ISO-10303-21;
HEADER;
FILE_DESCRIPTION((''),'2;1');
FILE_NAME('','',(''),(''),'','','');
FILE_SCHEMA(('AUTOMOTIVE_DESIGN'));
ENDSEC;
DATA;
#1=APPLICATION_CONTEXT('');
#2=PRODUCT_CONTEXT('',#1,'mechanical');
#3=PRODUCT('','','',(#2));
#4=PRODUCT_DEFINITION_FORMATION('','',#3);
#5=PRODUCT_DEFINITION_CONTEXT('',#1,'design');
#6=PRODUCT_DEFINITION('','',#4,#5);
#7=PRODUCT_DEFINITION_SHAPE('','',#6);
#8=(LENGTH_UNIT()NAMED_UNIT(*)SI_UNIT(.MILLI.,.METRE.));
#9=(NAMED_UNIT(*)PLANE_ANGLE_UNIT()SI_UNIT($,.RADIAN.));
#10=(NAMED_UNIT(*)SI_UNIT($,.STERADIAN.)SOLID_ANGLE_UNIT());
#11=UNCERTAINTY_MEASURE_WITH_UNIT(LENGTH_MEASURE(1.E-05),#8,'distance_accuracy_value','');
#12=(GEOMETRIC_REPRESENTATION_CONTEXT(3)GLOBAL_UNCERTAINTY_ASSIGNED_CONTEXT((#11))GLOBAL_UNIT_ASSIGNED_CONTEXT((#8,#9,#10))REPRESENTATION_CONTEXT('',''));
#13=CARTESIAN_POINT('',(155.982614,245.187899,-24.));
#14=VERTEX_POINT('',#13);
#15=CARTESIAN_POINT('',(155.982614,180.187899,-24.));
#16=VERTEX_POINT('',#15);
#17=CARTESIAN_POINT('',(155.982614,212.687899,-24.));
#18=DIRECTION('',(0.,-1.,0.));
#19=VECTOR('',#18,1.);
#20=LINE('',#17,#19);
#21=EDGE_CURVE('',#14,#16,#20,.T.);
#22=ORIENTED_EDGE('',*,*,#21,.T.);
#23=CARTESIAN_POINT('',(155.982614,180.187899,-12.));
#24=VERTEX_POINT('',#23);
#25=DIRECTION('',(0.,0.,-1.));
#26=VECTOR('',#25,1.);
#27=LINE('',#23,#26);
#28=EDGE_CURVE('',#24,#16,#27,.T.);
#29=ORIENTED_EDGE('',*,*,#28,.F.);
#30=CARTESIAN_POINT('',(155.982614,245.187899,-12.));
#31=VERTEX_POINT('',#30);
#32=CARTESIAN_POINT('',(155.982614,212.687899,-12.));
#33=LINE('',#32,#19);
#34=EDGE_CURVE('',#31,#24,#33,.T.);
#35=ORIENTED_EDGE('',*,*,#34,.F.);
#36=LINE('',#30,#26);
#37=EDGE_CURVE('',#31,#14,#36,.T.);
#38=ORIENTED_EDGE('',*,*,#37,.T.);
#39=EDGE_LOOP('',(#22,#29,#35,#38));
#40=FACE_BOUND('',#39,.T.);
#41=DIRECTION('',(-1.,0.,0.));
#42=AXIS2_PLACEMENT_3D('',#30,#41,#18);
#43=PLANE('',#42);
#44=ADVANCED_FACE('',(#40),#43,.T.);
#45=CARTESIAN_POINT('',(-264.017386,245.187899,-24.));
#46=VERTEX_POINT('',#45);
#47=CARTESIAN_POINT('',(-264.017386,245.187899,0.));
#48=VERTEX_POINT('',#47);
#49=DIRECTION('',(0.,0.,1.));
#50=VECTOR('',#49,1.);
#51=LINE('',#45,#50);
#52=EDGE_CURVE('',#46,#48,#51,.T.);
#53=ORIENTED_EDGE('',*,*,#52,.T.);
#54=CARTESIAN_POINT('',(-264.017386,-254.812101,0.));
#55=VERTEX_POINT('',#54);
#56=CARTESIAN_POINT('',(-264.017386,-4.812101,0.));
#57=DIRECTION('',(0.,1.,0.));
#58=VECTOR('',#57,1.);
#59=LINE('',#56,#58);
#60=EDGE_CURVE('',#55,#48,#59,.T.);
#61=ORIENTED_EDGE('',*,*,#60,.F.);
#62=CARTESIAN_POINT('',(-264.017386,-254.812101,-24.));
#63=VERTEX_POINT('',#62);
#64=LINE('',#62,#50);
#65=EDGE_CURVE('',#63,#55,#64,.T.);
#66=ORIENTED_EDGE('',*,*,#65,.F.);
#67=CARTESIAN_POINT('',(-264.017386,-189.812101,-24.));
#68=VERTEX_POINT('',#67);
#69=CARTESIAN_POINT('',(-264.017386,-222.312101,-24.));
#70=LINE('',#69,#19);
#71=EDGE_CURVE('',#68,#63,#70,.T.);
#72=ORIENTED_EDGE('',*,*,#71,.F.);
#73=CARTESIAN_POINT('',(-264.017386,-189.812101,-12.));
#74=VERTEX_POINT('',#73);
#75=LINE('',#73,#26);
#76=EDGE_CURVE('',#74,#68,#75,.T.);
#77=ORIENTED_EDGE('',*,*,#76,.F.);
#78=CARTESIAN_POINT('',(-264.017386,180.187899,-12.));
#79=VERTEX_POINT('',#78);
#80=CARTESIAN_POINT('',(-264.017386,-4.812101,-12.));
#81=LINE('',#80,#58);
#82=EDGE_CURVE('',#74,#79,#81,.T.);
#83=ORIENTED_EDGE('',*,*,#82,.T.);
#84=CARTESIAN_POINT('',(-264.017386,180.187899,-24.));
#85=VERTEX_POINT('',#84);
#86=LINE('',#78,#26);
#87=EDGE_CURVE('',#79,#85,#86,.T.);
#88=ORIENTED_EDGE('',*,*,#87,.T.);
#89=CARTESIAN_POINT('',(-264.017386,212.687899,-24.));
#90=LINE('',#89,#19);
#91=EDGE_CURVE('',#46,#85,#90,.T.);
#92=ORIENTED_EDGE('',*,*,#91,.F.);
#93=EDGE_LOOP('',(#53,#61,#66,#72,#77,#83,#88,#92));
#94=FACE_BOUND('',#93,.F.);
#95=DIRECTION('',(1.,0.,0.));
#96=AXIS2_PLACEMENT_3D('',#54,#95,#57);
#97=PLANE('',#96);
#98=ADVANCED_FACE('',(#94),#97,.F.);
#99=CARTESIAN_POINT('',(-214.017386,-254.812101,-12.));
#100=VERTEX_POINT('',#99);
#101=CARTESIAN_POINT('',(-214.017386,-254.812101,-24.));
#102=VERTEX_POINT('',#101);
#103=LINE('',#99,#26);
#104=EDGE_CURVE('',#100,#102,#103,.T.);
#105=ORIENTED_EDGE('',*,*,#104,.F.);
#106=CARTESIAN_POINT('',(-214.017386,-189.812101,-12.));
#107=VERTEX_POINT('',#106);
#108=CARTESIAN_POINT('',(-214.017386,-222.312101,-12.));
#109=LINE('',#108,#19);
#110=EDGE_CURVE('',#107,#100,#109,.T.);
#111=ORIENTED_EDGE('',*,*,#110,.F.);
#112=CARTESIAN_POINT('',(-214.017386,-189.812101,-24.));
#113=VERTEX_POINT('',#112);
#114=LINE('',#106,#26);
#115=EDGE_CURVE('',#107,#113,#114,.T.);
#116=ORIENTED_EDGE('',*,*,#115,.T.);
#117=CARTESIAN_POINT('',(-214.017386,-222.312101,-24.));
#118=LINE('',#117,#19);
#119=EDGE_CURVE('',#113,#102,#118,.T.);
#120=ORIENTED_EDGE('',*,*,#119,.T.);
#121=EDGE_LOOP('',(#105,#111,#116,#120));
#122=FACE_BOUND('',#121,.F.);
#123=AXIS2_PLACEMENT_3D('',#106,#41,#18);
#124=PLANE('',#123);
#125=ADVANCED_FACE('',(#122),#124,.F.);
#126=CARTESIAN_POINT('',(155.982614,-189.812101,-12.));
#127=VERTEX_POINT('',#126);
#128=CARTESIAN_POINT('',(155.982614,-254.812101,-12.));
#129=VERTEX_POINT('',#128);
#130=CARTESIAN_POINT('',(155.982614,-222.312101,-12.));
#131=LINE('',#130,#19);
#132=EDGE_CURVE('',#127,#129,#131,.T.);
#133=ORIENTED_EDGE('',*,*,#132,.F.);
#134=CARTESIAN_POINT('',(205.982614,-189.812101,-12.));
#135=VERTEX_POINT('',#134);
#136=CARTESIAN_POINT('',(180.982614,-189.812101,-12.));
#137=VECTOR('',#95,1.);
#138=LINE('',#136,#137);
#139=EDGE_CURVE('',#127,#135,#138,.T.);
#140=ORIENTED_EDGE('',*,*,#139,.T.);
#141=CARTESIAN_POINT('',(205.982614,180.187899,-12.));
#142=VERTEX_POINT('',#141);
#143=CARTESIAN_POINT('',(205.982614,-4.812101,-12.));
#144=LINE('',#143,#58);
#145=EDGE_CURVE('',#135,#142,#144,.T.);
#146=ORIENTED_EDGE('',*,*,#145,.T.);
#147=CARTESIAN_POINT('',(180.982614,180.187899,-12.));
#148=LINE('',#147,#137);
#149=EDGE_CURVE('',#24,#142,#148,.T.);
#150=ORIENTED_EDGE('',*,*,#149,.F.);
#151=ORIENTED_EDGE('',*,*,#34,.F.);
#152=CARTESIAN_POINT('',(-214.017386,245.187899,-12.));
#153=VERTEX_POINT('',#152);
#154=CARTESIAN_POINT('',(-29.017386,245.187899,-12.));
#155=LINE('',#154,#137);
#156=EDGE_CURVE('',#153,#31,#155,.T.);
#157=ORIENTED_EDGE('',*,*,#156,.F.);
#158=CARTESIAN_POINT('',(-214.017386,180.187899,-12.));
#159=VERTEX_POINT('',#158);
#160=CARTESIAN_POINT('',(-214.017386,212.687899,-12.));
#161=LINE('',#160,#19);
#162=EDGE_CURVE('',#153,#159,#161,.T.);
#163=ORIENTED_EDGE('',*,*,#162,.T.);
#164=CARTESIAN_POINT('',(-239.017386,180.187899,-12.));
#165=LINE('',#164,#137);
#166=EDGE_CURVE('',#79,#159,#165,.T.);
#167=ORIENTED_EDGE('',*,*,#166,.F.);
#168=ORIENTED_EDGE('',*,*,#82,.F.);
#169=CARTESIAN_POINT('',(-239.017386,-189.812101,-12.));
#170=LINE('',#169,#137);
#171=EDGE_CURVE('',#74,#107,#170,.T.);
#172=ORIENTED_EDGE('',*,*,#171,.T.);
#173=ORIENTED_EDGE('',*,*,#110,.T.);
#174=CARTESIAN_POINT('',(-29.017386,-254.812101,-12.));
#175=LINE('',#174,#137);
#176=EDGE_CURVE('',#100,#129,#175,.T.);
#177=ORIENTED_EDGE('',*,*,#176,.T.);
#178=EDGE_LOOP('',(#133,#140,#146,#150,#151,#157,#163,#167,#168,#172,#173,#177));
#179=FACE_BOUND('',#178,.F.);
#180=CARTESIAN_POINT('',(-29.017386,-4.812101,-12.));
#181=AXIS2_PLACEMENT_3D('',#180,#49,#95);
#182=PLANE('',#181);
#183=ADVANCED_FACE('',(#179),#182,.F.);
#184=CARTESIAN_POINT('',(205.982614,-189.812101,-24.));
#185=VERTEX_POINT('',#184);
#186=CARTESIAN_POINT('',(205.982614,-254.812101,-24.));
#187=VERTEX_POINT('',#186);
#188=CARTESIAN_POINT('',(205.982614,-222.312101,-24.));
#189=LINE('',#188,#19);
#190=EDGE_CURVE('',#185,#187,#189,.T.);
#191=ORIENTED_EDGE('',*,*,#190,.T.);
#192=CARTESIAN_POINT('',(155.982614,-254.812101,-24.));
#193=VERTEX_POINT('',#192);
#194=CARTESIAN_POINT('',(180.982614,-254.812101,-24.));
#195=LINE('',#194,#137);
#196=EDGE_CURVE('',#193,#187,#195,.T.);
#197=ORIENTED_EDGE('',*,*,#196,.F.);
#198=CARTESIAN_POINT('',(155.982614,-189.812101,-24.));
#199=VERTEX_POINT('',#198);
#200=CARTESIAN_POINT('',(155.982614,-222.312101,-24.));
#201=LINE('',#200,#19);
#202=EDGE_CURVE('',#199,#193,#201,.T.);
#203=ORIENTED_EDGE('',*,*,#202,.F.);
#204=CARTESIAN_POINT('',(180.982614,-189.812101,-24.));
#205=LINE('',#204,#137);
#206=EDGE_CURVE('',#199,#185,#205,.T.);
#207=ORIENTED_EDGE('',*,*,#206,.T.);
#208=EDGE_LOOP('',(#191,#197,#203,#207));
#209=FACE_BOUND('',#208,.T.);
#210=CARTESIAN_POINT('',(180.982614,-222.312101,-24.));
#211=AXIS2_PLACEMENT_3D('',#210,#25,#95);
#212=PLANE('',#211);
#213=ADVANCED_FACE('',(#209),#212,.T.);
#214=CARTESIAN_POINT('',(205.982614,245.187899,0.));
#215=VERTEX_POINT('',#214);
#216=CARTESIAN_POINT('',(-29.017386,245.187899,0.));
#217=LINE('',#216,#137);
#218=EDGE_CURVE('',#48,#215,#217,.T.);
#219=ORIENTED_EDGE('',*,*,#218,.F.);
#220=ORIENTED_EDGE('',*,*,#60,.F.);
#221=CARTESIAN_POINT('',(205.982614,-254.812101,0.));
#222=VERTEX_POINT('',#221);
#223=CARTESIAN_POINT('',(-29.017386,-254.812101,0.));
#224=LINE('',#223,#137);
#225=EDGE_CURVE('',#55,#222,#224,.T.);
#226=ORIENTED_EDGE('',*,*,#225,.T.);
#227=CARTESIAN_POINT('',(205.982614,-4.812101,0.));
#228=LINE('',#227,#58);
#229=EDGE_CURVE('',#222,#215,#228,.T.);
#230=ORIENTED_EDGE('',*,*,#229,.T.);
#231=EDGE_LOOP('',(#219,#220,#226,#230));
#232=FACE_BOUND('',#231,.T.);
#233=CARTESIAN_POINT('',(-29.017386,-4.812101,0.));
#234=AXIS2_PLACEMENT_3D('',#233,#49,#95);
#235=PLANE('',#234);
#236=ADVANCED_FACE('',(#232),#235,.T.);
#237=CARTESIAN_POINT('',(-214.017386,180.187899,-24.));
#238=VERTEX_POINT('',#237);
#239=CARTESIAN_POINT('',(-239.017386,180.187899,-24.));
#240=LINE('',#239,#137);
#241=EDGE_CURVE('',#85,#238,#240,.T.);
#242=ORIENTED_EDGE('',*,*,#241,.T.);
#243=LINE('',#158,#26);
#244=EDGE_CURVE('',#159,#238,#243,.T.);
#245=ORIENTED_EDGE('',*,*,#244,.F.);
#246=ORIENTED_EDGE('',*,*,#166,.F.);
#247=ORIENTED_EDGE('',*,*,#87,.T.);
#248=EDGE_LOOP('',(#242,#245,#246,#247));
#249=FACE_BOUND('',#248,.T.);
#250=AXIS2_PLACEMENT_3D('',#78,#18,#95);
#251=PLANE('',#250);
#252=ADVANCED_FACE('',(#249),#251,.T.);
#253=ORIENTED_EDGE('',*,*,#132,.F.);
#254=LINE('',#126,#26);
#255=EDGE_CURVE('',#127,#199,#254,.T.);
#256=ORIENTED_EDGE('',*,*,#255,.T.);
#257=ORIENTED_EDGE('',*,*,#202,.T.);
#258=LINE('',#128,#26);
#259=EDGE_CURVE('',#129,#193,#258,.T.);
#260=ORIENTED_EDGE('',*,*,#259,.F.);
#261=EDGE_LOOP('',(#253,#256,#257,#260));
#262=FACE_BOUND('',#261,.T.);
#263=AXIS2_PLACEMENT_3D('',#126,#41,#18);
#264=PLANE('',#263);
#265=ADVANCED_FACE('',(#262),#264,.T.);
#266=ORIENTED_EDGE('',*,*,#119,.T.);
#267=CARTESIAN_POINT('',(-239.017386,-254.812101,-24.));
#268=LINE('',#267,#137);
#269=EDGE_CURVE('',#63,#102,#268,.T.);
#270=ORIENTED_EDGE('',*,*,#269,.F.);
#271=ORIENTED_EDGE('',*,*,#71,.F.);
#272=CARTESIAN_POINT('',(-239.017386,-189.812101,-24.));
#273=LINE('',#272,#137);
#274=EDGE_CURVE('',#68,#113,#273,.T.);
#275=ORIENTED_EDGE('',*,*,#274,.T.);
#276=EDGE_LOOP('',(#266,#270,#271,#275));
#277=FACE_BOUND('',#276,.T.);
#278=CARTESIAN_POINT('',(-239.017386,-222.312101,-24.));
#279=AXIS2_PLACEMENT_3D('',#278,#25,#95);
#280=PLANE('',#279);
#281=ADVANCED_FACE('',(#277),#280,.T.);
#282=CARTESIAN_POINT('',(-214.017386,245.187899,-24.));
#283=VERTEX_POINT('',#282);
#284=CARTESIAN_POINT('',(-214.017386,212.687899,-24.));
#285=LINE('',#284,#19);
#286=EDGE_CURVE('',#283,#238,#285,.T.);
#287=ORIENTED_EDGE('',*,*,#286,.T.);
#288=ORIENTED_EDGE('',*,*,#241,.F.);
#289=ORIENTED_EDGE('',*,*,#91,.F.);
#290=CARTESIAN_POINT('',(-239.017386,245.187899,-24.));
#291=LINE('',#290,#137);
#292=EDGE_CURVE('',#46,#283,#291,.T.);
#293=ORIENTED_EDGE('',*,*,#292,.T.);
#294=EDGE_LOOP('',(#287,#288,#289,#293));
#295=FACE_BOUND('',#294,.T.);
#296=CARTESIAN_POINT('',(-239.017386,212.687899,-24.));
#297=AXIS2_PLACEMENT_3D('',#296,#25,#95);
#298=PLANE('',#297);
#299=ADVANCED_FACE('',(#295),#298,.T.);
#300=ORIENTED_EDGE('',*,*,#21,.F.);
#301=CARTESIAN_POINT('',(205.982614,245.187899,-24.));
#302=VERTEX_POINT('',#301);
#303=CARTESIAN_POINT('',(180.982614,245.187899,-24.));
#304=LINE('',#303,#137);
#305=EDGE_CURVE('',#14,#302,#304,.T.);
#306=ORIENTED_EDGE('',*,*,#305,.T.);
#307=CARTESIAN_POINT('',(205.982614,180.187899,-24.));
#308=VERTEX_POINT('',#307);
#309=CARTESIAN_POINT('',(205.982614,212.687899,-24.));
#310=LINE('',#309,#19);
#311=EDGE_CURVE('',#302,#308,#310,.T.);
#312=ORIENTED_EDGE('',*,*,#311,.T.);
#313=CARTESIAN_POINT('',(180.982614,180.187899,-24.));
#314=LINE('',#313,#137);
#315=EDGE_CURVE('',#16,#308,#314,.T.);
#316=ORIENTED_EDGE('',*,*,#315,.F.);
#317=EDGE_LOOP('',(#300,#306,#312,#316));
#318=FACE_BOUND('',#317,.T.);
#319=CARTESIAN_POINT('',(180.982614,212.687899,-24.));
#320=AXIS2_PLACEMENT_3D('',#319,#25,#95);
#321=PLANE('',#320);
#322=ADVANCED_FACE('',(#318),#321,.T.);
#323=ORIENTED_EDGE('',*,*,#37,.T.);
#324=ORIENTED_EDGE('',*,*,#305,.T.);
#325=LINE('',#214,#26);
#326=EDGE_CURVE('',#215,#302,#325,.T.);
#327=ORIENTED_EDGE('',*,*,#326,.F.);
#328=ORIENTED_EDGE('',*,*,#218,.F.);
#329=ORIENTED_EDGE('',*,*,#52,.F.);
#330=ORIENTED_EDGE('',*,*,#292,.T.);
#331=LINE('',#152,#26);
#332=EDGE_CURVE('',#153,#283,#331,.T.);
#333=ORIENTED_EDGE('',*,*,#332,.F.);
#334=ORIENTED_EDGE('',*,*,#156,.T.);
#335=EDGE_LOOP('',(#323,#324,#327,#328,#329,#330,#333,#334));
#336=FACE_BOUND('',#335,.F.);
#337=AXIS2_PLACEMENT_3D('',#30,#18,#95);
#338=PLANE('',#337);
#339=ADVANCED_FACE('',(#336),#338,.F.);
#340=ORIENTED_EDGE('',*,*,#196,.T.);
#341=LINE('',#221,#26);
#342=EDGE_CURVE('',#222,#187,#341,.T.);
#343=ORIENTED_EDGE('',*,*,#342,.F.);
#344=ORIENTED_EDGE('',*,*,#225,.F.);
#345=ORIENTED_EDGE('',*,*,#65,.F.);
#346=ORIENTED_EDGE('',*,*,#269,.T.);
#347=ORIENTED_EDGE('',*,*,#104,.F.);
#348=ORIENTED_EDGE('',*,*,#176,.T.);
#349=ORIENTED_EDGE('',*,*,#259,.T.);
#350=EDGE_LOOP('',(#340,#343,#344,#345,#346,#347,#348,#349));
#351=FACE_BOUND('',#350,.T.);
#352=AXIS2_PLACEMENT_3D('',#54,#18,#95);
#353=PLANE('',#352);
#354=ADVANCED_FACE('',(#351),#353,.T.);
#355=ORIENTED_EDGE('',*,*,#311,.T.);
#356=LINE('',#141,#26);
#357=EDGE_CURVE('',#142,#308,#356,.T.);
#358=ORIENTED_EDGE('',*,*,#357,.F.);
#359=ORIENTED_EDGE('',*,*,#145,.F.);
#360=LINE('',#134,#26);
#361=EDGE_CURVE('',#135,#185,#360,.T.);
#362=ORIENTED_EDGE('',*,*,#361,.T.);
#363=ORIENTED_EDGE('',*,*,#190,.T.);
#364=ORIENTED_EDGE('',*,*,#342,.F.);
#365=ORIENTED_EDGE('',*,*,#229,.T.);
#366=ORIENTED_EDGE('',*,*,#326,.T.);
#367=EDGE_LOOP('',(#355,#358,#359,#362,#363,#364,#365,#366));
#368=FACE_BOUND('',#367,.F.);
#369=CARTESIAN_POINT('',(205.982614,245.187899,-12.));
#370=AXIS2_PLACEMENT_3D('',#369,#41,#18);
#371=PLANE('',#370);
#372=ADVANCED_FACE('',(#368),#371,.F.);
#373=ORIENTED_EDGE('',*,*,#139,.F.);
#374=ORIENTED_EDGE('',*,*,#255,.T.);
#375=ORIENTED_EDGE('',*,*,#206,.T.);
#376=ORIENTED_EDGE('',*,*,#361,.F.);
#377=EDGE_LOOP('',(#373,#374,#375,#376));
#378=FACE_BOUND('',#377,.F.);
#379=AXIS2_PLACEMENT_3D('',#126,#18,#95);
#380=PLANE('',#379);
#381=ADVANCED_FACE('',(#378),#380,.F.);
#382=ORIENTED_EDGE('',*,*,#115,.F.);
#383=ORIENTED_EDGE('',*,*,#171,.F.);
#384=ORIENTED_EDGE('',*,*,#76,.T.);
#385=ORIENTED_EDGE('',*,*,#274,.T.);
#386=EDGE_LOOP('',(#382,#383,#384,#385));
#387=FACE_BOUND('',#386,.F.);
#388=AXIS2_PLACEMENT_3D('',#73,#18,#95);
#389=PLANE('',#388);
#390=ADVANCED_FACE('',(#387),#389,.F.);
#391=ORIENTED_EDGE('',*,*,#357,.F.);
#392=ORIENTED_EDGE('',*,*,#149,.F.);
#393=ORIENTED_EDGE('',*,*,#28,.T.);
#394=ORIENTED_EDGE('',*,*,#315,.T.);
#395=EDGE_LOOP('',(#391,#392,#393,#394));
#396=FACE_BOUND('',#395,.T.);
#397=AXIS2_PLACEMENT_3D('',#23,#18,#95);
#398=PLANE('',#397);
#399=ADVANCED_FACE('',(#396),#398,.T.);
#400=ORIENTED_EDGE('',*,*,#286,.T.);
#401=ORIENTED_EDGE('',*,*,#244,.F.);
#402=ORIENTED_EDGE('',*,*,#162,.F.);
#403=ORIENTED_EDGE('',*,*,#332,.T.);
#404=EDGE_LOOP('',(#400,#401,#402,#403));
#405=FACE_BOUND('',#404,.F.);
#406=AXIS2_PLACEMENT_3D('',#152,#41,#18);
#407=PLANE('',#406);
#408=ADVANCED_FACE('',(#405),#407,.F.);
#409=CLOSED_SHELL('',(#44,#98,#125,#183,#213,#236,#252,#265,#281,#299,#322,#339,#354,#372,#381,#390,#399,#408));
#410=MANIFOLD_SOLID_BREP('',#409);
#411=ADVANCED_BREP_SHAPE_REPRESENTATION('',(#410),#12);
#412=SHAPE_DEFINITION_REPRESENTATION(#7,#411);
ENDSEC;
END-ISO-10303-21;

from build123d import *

# Parameters (mm, degrees)
F0_W     = 470
F0_H     = 500
F1_DEPTH = 12
F2_W     = 50
F2_H     = 65
F3_DEPTH = 12


with BuildPart() as f1:
    # F0 (on Top) → F1 (new body)
    with BuildSketch(Plane.XY):
        with Locations((-29.017386, -4.812101)):
            Rectangle(F0_W, F0_H)
    extrude(amount=-F1_DEPTH)

    # F2 (on face) → F3 (join)
    with BuildSketch(Plane(origin=(0, 0, -12), x_dir=(1, 0, 0), z_dir=(0, 0, -1))):
        with Locations((180.982614, -212.687899)):
            Rectangle(F2_W, F2_H)
        with Locations((-239.017386, -212.687899)):
            Rectangle(F2_W, F2_H)
        with Locations((-239.017386, 222.312101)):
            Rectangle(F2_W, F2_H)
        with Locations((180.982614, 222.312101)):
            Rectangle(F2_W, F2_H)
    extrude(amount=F3_DEPTH)


solid = f1.part
